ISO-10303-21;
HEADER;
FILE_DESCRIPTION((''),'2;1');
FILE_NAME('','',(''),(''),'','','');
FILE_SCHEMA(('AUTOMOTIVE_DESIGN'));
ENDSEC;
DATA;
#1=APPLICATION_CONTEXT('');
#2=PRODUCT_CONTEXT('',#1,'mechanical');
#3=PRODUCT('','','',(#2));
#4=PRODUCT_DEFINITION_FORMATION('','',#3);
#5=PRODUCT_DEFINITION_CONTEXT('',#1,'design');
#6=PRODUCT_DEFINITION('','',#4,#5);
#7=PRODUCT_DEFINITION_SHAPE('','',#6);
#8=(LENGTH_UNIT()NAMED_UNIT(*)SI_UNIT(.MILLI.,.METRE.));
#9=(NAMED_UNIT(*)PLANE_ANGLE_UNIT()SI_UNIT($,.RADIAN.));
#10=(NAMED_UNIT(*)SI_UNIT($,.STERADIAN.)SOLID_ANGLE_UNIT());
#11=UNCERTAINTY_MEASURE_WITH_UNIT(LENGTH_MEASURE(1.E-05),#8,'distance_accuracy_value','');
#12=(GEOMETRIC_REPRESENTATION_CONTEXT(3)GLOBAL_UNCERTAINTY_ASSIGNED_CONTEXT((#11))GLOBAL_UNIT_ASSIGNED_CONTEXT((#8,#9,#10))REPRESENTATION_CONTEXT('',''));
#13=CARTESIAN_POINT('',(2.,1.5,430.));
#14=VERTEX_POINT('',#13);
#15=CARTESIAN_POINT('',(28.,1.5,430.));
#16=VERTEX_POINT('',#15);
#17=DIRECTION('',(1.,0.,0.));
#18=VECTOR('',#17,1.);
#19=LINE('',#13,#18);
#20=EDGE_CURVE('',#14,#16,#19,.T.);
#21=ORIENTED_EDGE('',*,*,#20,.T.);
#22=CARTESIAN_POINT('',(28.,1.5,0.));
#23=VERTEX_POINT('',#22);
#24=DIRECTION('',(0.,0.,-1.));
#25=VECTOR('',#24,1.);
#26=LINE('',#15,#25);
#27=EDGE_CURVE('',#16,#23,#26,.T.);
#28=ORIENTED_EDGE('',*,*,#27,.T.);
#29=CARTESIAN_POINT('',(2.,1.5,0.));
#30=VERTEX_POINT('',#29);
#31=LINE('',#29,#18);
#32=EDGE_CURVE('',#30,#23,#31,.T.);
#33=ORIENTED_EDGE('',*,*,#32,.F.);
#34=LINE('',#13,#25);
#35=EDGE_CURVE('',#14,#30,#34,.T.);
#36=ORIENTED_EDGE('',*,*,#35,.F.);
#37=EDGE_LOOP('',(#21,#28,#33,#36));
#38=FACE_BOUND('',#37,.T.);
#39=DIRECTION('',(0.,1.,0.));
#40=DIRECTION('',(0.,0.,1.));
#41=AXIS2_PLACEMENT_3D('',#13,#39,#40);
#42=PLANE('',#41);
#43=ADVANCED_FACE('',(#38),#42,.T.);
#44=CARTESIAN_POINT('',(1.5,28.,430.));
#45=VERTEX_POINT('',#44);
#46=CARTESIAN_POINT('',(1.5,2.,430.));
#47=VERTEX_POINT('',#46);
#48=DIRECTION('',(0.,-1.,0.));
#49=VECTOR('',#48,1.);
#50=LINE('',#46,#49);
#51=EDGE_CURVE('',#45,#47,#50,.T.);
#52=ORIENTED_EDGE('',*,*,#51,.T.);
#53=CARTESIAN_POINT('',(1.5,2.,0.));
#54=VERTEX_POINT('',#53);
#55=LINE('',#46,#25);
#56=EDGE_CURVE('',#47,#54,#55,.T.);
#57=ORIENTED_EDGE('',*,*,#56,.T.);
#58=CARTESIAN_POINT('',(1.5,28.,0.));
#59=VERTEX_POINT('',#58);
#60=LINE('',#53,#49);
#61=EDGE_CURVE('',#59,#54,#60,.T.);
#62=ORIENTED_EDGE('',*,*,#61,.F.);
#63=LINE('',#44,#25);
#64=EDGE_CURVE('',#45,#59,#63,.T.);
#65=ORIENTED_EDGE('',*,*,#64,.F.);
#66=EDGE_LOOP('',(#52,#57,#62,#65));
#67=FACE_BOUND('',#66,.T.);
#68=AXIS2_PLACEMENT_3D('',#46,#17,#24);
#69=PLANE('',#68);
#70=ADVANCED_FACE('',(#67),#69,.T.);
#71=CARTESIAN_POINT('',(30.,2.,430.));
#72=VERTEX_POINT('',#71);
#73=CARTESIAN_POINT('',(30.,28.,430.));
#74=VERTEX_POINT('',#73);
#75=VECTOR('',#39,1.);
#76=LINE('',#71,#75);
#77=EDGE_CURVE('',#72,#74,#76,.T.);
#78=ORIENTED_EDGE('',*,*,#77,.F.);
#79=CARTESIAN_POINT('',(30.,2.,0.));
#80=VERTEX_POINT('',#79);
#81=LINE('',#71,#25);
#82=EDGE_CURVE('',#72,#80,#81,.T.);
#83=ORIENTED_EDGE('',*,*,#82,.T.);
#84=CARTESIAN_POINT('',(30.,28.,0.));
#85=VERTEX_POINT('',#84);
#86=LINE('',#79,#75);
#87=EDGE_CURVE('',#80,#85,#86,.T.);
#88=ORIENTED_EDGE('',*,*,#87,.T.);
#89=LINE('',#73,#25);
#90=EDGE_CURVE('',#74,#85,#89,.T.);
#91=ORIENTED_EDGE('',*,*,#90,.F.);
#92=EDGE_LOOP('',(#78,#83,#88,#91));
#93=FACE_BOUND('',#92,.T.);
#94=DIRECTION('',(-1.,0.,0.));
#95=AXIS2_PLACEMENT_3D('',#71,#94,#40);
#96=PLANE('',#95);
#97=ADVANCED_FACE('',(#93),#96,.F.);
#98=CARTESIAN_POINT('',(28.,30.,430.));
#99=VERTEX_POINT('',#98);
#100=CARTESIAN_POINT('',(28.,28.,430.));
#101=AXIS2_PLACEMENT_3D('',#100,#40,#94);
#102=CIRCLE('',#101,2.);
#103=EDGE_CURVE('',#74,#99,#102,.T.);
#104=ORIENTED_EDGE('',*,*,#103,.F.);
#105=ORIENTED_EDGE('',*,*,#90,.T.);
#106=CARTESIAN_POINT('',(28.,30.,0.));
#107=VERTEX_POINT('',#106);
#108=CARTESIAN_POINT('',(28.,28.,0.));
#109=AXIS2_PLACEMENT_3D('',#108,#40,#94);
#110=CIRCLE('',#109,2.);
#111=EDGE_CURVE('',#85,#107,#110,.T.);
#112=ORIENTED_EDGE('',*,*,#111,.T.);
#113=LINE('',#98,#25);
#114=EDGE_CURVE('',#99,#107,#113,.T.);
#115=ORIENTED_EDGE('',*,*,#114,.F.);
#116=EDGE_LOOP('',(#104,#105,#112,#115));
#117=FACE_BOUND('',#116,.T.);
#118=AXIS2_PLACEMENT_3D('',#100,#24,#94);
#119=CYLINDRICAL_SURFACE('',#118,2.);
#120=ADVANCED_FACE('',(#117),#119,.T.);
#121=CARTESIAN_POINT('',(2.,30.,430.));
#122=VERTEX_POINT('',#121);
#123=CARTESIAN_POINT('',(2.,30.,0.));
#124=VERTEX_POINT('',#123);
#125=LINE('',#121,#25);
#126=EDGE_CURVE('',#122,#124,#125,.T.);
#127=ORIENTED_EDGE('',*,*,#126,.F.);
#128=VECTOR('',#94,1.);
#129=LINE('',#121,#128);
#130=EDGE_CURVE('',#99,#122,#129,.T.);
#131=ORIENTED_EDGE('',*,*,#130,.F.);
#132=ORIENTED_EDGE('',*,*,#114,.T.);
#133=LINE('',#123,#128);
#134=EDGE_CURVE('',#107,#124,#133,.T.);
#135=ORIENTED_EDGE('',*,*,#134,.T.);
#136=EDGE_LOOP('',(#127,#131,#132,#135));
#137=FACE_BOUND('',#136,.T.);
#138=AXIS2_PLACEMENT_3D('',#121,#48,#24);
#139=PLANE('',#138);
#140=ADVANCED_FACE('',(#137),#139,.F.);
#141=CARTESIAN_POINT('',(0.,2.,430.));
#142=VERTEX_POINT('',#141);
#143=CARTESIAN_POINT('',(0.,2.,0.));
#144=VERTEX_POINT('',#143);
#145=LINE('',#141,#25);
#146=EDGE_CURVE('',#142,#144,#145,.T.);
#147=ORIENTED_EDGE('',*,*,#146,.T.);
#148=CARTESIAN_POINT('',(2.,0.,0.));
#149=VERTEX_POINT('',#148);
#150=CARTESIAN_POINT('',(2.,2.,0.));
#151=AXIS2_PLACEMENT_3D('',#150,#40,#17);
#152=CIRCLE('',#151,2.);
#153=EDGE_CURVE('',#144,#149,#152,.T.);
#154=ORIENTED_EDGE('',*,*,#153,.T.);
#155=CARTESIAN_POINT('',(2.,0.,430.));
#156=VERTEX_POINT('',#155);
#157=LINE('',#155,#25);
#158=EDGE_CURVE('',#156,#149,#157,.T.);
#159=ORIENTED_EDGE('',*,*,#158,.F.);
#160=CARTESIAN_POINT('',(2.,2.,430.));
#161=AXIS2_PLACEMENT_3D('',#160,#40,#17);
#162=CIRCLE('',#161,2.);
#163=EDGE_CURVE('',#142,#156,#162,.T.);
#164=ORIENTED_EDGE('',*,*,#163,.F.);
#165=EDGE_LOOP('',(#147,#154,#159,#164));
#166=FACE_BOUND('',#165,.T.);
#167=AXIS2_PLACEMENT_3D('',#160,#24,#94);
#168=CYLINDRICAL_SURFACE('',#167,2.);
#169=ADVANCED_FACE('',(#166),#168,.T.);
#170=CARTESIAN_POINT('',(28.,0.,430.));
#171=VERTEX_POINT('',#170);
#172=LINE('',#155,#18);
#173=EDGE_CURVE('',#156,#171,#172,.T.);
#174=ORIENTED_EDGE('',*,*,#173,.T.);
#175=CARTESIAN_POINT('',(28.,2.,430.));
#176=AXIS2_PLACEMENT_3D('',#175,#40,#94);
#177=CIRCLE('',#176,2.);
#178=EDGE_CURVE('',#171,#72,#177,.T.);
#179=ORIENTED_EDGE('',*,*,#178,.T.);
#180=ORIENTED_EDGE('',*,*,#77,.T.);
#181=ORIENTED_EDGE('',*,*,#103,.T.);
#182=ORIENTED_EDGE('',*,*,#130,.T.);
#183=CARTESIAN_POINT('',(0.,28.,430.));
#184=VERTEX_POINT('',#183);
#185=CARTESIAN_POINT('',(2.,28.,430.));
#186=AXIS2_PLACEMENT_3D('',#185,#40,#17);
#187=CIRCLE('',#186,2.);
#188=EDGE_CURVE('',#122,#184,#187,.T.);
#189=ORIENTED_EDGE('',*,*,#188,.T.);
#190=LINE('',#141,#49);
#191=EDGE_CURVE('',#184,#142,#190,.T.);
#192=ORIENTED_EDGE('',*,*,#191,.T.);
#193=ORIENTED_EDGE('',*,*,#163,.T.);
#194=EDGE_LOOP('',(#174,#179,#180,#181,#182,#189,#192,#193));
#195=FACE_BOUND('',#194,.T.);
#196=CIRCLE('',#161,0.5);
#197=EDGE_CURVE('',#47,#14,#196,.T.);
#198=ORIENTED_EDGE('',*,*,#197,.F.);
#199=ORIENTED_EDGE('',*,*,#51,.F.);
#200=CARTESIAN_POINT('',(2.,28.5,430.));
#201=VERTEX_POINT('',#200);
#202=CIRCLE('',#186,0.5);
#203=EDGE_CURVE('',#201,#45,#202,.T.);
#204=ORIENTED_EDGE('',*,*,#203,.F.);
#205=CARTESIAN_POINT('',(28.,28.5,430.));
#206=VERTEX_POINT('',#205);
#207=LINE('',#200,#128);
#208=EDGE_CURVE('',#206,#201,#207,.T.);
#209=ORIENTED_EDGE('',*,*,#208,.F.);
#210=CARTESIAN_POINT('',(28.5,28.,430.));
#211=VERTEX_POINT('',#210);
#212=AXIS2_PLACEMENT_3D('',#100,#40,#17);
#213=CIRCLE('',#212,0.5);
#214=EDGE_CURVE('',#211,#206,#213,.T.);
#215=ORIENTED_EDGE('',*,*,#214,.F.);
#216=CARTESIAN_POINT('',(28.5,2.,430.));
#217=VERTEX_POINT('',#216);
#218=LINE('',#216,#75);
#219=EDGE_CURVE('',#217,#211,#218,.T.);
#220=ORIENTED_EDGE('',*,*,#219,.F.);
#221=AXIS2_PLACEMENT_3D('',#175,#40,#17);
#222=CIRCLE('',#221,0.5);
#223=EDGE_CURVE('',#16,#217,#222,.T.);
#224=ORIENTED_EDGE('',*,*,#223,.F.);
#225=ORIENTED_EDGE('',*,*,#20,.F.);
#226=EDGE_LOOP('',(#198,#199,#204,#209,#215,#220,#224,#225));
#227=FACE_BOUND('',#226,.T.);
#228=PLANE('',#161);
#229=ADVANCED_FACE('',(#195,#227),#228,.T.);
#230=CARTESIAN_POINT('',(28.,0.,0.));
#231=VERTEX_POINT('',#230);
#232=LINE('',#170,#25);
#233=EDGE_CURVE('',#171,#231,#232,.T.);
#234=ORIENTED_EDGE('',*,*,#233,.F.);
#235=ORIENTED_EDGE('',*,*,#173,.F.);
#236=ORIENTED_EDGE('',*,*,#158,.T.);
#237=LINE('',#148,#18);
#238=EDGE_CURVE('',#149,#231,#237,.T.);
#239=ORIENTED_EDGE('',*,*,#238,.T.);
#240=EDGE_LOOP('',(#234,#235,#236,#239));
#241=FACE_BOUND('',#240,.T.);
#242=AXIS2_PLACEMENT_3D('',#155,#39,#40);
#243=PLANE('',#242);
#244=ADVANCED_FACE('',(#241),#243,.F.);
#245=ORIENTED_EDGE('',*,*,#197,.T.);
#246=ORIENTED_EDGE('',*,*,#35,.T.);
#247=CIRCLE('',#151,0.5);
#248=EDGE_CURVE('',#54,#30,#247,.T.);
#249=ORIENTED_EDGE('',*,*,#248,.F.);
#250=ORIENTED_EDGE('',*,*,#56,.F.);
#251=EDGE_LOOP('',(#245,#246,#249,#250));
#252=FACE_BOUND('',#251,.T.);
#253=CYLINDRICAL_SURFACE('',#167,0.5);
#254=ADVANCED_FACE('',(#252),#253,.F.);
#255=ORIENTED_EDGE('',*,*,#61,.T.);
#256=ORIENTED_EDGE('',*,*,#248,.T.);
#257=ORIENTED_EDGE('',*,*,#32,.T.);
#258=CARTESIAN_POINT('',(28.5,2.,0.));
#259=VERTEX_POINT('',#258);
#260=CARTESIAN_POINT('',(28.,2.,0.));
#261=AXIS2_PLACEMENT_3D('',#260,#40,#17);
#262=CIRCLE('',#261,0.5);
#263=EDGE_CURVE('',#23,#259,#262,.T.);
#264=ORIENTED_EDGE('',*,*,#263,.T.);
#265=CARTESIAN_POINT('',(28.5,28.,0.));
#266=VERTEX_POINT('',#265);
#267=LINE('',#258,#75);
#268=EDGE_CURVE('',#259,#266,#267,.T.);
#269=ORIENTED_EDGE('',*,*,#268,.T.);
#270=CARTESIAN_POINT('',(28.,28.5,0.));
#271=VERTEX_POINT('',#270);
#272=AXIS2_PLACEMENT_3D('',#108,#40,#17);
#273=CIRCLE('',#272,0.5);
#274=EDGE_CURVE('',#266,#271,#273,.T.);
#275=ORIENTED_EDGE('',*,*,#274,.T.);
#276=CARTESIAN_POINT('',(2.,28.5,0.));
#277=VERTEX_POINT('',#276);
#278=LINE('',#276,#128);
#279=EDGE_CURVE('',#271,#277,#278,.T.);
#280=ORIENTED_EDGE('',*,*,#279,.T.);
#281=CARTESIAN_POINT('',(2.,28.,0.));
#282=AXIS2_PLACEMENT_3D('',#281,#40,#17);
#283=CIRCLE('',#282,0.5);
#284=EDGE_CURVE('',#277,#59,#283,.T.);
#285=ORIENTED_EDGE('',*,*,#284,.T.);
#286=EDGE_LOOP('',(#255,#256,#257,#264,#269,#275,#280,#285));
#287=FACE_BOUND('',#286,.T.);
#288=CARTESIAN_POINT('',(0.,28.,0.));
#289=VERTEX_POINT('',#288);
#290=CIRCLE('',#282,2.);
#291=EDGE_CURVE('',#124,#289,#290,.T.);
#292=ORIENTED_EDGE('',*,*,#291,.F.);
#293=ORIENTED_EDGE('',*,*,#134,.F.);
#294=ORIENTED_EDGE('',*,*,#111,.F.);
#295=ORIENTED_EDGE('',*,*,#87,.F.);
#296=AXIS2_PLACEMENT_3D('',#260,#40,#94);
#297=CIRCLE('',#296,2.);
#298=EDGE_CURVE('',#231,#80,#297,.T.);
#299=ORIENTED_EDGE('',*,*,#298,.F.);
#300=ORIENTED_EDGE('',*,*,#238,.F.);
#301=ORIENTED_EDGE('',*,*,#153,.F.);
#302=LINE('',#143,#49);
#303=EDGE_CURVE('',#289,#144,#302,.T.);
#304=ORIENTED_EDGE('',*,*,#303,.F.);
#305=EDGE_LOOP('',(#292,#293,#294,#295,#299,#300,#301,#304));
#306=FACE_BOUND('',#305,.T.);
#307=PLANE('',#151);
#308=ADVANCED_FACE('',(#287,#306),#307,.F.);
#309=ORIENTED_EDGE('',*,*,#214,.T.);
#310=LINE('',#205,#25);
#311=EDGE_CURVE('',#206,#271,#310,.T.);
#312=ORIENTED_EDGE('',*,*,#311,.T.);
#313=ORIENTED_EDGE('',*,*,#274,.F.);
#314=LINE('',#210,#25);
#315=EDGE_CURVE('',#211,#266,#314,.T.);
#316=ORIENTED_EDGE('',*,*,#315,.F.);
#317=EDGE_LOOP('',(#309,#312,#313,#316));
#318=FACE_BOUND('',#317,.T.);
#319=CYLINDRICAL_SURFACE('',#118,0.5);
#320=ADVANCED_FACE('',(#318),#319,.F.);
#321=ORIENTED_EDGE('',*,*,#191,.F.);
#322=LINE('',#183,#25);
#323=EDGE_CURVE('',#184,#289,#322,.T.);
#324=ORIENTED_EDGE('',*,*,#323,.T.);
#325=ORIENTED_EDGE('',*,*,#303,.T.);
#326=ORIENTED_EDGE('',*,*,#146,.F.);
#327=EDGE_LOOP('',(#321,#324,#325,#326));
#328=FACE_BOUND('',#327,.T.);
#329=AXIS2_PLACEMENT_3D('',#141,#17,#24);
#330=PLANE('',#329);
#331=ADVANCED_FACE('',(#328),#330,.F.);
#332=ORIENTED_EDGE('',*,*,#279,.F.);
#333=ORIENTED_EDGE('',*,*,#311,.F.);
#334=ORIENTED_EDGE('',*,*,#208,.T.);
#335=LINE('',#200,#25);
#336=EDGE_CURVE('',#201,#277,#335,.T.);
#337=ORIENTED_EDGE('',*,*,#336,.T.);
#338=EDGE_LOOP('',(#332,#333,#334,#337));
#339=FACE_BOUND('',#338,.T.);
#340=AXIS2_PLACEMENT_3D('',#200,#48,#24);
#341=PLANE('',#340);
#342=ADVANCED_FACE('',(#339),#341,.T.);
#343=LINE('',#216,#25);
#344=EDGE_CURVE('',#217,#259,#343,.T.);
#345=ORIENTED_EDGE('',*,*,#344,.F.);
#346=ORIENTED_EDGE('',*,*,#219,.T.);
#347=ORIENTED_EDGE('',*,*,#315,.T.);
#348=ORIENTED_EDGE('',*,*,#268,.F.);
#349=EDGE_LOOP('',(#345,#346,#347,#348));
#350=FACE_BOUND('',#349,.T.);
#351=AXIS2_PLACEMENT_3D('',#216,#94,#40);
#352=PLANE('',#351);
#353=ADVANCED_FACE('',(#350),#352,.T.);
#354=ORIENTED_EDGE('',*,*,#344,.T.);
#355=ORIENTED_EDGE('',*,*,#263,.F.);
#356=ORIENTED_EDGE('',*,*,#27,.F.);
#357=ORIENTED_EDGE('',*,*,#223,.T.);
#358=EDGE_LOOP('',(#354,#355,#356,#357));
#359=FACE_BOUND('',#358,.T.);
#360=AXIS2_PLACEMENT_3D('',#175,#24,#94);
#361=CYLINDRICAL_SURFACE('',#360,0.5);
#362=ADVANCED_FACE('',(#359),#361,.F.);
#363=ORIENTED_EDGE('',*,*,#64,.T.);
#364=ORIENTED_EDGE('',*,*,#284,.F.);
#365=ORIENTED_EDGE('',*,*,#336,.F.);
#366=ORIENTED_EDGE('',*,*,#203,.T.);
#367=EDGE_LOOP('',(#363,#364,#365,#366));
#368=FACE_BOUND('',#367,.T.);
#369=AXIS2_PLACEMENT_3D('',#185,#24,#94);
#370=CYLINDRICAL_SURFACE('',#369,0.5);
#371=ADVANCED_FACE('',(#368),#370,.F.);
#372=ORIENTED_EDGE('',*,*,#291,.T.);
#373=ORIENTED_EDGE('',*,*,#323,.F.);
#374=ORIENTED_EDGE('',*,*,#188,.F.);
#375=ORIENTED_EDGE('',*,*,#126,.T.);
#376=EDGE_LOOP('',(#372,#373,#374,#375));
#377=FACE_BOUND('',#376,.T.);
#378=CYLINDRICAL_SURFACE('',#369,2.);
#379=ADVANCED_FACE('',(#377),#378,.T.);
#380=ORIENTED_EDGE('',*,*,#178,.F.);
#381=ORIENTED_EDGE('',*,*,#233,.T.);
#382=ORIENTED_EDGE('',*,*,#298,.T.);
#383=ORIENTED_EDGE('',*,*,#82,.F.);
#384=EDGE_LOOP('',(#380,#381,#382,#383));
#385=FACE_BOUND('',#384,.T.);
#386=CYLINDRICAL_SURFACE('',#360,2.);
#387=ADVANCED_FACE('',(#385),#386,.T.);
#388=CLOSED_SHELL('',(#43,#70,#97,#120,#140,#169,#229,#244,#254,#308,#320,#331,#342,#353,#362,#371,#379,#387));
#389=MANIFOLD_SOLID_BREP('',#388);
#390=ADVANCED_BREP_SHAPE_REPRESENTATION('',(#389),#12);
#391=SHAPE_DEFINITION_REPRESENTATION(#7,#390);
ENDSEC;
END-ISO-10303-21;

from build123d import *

# Parameters (mm, degrees)
EXTRUDE_1_DEPTH = 430


with BuildPart() as part:
    # Эскиз1 → Вытянуть-Тонкостенный1 (new body)
    with BuildSketch(Plane.XY):
        with BuildLine():
            Line((0, 28), (0, 2))
            ThreePointArc((0, 2), (0.585786438, 0.585786438), (2, 0))
            Line((2, 0), (28, 0))
            ThreePointArc((28, 0), (29.414213562, 0.585786438), (30, 2))
            Line((30, 2), (30, 28))
            ThreePointArc((30, 28), (29.414213562, 29.414213562), (28, 30))
            Line((28, 30), (2, 30))
            ThreePointArc((2, 30), (0.585786438, 29.414213562), (0, 28))
        make_face()
        with BuildLine():
            Line((1.5, 28), (1.5, 2))
            ThreePointArc((1.5, 2), (1.646446609, 1.646446609), (2, 1.5))
            Line((2, 1.5), (28, 1.5))
            ThreePointArc((28, 1.5), (28.353553391, 1.646446609), (28.5, 2))
            Line((28.5, 2), (28.5, 28))
            ThreePointArc((28.5, 28), (28.353553391, 28.353553391), (28, 28.5))
            Line((28, 28.5), (2, 28.5))
            ThreePointArc((2, 28.5), (1.646446609, 28.353553391), (1.5, 28))
        make_face(mode=Mode.SUBTRACT)
    extrude(amount=EXTRUDE_1_DEPTH)


solid = part.part
